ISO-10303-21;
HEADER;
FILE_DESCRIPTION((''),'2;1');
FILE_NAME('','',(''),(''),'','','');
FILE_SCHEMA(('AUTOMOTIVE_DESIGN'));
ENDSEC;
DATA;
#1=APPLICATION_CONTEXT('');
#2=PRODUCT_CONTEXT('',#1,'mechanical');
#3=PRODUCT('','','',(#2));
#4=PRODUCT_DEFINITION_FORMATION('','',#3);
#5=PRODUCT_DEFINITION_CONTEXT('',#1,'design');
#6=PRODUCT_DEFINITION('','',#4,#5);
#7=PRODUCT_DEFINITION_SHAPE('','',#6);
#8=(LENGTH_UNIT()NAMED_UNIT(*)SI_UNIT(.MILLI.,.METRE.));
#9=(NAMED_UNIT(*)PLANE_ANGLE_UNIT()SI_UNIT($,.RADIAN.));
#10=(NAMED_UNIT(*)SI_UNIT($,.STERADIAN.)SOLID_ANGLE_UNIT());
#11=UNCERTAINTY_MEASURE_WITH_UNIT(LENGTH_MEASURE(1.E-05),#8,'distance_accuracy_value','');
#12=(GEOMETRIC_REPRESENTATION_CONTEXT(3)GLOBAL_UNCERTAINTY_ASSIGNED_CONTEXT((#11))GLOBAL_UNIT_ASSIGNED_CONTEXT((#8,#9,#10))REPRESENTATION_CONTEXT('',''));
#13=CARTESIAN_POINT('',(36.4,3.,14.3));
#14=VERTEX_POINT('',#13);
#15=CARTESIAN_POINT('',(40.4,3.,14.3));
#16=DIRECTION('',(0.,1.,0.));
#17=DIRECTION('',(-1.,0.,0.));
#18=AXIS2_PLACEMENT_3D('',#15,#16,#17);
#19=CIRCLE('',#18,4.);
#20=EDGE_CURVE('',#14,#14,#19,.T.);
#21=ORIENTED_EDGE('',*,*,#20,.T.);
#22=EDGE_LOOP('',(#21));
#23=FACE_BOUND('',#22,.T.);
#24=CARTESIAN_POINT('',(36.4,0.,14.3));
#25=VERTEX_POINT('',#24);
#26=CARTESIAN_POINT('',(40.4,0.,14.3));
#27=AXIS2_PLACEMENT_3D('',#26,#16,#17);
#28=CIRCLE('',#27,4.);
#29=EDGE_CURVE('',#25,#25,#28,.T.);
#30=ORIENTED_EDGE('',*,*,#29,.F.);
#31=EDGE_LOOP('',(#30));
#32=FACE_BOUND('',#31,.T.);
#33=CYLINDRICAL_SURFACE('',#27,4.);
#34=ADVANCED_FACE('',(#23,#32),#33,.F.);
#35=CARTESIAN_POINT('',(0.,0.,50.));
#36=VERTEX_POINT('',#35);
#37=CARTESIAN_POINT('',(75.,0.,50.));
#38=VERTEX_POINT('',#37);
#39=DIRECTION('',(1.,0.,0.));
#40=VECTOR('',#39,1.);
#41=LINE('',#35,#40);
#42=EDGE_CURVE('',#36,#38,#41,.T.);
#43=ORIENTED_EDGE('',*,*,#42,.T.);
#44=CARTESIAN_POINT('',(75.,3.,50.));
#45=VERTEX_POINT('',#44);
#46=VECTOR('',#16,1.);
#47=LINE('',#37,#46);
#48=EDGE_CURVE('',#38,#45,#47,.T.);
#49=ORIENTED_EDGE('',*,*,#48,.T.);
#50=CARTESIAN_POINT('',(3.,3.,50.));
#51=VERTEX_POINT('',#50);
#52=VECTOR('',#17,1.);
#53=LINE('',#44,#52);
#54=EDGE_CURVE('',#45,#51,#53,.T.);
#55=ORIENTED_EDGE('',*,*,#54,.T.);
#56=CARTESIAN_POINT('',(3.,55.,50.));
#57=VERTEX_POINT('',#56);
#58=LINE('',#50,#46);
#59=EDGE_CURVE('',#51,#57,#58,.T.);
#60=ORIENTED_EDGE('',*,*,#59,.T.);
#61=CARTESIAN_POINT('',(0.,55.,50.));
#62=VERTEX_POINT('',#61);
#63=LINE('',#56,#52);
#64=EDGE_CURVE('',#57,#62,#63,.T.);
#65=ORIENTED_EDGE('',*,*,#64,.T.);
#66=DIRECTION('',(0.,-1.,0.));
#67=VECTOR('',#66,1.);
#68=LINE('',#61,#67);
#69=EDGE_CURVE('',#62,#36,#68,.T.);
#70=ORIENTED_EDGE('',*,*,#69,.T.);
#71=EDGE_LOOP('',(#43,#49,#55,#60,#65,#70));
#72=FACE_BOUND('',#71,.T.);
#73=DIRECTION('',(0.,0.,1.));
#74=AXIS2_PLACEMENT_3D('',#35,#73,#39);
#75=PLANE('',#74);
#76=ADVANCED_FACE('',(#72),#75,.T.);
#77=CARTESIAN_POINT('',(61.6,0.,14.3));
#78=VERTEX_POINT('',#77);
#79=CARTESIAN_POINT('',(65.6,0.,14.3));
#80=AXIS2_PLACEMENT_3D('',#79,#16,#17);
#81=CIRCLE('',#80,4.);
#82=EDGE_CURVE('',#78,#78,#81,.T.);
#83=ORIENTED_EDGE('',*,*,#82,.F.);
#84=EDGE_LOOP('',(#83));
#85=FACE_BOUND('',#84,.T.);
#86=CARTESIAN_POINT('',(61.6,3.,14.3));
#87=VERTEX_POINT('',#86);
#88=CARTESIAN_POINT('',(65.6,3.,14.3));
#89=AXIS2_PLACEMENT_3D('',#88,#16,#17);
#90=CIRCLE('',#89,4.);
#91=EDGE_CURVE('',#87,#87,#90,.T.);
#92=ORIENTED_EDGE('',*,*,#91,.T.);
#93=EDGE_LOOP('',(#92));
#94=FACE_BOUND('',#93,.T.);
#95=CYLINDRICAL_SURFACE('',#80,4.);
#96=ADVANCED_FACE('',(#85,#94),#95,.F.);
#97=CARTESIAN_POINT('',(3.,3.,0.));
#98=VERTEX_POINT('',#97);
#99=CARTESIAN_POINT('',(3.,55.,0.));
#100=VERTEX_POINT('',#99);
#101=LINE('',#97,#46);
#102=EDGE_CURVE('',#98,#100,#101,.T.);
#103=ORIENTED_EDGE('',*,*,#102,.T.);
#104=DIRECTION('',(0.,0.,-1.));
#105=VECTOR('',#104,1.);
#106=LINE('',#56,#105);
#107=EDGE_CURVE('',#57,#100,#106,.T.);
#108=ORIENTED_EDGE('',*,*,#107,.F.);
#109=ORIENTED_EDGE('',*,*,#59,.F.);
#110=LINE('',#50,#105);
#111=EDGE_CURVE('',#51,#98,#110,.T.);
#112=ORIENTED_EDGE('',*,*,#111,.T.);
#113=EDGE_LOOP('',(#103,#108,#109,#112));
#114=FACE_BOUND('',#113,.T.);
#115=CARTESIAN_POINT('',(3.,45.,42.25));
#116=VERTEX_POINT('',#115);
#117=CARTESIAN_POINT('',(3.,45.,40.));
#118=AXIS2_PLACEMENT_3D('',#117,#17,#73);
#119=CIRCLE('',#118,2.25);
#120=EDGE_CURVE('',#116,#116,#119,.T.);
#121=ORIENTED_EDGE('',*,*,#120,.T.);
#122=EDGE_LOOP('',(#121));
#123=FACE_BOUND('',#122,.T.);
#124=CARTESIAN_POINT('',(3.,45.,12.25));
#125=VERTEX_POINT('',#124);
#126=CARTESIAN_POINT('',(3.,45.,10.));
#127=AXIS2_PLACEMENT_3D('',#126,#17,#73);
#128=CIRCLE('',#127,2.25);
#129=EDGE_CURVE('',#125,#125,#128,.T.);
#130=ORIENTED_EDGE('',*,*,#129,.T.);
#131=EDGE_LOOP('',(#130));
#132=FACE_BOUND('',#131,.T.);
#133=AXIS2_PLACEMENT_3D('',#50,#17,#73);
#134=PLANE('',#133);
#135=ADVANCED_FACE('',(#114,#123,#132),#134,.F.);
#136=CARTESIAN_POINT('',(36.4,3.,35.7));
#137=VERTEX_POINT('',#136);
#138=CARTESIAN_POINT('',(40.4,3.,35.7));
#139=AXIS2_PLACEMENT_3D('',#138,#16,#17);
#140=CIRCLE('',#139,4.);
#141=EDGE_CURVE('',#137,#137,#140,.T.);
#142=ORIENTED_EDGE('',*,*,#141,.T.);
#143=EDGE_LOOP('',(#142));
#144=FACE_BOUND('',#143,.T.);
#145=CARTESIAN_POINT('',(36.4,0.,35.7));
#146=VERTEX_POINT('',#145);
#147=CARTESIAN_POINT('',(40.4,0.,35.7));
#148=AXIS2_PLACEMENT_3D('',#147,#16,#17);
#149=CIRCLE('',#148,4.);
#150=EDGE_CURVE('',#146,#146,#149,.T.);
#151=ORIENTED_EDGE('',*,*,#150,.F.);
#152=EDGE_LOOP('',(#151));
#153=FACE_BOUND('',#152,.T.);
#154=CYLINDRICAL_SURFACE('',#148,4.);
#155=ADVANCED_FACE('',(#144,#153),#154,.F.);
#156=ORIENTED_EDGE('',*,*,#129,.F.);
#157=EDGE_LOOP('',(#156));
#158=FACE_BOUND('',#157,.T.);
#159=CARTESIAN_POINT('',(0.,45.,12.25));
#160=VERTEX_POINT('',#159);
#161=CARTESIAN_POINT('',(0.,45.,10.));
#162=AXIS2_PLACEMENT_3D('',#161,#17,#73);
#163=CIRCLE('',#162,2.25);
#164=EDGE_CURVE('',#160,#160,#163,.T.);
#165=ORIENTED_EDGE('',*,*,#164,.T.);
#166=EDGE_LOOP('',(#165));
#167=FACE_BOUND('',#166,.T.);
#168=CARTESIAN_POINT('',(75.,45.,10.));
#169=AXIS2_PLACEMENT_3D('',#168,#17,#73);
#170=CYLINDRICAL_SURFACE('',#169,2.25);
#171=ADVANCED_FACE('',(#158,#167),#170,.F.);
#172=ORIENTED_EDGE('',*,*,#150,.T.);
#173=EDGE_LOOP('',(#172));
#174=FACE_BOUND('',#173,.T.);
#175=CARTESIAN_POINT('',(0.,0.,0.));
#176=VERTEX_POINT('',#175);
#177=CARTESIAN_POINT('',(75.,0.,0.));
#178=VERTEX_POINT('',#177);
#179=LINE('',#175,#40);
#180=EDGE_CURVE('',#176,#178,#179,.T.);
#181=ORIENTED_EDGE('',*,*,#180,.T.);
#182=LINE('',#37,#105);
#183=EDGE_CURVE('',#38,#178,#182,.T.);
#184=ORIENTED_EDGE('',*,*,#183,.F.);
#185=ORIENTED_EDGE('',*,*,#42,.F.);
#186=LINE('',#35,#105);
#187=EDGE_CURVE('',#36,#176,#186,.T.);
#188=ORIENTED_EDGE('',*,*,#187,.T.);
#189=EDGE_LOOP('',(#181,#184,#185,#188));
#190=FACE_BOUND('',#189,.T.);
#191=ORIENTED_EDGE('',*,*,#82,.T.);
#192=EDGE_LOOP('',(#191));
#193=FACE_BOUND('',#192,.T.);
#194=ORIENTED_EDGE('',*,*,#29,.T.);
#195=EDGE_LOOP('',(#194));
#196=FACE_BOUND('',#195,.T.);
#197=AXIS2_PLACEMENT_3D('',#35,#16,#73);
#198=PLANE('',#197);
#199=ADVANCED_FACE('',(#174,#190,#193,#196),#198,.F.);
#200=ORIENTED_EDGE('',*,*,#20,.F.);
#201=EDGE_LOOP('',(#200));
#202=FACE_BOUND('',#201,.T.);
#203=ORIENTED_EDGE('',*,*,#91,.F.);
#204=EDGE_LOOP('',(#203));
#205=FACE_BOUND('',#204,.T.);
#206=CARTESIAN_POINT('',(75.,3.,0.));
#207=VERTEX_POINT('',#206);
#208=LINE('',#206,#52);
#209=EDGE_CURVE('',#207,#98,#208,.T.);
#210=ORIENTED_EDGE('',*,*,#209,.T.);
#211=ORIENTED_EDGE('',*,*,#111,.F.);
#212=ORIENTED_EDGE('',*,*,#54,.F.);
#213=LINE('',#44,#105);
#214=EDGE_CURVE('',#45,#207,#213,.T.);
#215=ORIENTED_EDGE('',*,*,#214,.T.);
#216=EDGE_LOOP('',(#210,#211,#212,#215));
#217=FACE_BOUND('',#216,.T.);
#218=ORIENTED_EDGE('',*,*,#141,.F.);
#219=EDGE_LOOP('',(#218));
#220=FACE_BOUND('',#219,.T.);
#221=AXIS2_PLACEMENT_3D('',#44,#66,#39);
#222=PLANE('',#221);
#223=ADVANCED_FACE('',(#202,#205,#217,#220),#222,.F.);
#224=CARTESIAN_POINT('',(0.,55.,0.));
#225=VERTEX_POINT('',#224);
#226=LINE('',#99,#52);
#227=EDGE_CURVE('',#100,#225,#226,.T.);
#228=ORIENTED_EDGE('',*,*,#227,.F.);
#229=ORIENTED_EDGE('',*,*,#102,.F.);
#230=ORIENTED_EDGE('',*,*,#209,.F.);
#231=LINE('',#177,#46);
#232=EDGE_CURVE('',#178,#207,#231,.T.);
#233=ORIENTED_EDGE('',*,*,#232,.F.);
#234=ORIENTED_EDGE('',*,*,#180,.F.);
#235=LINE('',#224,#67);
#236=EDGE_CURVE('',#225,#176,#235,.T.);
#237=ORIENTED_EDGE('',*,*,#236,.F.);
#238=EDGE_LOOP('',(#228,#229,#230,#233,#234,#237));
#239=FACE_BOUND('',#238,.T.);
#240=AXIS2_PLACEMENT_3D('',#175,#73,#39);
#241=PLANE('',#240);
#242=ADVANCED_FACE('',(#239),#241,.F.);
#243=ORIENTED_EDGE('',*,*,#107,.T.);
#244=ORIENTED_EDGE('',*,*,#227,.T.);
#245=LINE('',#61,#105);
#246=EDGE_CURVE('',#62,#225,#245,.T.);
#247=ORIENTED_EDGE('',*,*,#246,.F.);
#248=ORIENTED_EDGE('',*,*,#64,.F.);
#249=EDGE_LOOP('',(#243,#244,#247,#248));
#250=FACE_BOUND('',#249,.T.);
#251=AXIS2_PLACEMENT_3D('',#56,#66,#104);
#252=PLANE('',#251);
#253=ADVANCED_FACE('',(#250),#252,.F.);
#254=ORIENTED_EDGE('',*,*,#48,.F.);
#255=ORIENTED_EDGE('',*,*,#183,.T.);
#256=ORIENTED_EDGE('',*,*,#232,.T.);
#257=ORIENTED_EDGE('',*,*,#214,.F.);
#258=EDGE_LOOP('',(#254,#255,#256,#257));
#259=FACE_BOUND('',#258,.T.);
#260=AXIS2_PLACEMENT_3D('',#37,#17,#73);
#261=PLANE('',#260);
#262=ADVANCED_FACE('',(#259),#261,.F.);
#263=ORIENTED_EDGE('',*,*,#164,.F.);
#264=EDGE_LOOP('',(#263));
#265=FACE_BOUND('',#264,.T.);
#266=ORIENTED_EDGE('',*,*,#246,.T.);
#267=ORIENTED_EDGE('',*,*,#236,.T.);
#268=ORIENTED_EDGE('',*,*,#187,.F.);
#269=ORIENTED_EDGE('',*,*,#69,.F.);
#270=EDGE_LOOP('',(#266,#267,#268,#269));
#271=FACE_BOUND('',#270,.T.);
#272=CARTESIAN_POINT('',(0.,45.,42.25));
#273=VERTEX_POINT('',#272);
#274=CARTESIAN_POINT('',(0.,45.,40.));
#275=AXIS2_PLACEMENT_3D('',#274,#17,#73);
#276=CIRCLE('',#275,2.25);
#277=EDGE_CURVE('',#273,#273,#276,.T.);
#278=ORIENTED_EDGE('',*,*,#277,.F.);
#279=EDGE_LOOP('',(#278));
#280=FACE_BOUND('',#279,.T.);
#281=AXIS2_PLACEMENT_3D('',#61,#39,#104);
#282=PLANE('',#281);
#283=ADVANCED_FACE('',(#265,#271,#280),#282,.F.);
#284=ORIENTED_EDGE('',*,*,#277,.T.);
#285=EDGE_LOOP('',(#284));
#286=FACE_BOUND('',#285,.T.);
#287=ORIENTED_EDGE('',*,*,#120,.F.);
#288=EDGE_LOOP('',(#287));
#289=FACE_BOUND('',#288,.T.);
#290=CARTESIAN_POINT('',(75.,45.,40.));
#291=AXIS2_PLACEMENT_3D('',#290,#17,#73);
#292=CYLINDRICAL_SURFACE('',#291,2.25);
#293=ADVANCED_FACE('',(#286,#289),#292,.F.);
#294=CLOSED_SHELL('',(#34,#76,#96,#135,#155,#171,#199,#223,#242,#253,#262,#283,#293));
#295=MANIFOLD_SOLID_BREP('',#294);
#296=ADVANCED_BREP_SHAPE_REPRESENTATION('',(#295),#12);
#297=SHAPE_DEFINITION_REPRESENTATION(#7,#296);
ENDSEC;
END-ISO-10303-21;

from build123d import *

# Parameters (mm, degrees)
EXTRUDE_1_DEPTH     = 50
SKETCH_6_R          = 2
CUT_EXTRUDE_2_DEPTH = 4
SKETCH1_R           = 2
CUT_EXTRUDE1_DEPTH  = 4
SKETCH2_R           = 4
CUT_EXTRUDE2_DEPTH  = 4
SKETCH4_R           = 2.25
CUT_EXTRUDE3_DEPTH  = 76


with BuildPart() as part:
    # Эскиз1 → Бобышка-Вытянуть1 (new body)
    with BuildSketch(Plane.XY):
        Polygon((0, 0), (75, 0), (75, 3), (3, 3), (3, 55), (0, 55), align=None)
    extrude(amount=EXTRUDE_1_DEPTH)

    # Эскиз6 → Вырез-Вытянуть2 (cut, through all)
    with BuildSketch(Plane(origin=(0, 3, 0), x_dir=(1, 0, 0), z_dir=(0, 1, 0))):
        with Locations((40.4, -14.3)):
            Circle(SKETCH_6_R)
        with Locations((40.4, -35.7)):
            Circle(SKETCH_6_R)
    extrude(amount=-CUT_EXTRUDE_2_DEPTH, mode=Mode.SUBTRACT)

    # Sketch1 → Cut-Extrude1 (cut, through all)
    with BuildSketch(Plane(origin=(0, 3, 0), x_dir=(1, 0, 0), z_dir=(0, 1, 0))):
        with Locations((65.6, -14.3)):
            Circle(SKETCH1_R)
    extrude(amount=-CUT_EXTRUDE1_DEPTH, mode=Mode.SUBTRACT)

    # Sketch2 → Cut-Extrude2 (cut, through all)
    with BuildSketch(Plane(origin=(0, 3, 0), x_dir=(1, 0, 0), z_dir=(0, 1, 0))):
        with Locations((40.4, -14.3)):
            Circle(SKETCH2_R)
        with Locations((65.6, -14.3)):
            Circle(SKETCH2_R)
        with Locations((40.4, -35.7)):
            Circle(SKETCH2_R)
    extrude(amount=-CUT_EXTRUDE2_DEPTH, mode=Mode.SUBTRACT)

    # Sketch4 → Cut-Extrude3 (cut, through all)
    with BuildSketch(Plane.ZY):
        with Locations((10, 45)):
            Circle(SKETCH4_R)
        with Locations((40, 45)):
            Circle(SKETCH4_R)
    extrude(amount=-CUT_EXTRUDE3_DEPTH, mode=Mode.SUBTRACT)


solid = part.part
